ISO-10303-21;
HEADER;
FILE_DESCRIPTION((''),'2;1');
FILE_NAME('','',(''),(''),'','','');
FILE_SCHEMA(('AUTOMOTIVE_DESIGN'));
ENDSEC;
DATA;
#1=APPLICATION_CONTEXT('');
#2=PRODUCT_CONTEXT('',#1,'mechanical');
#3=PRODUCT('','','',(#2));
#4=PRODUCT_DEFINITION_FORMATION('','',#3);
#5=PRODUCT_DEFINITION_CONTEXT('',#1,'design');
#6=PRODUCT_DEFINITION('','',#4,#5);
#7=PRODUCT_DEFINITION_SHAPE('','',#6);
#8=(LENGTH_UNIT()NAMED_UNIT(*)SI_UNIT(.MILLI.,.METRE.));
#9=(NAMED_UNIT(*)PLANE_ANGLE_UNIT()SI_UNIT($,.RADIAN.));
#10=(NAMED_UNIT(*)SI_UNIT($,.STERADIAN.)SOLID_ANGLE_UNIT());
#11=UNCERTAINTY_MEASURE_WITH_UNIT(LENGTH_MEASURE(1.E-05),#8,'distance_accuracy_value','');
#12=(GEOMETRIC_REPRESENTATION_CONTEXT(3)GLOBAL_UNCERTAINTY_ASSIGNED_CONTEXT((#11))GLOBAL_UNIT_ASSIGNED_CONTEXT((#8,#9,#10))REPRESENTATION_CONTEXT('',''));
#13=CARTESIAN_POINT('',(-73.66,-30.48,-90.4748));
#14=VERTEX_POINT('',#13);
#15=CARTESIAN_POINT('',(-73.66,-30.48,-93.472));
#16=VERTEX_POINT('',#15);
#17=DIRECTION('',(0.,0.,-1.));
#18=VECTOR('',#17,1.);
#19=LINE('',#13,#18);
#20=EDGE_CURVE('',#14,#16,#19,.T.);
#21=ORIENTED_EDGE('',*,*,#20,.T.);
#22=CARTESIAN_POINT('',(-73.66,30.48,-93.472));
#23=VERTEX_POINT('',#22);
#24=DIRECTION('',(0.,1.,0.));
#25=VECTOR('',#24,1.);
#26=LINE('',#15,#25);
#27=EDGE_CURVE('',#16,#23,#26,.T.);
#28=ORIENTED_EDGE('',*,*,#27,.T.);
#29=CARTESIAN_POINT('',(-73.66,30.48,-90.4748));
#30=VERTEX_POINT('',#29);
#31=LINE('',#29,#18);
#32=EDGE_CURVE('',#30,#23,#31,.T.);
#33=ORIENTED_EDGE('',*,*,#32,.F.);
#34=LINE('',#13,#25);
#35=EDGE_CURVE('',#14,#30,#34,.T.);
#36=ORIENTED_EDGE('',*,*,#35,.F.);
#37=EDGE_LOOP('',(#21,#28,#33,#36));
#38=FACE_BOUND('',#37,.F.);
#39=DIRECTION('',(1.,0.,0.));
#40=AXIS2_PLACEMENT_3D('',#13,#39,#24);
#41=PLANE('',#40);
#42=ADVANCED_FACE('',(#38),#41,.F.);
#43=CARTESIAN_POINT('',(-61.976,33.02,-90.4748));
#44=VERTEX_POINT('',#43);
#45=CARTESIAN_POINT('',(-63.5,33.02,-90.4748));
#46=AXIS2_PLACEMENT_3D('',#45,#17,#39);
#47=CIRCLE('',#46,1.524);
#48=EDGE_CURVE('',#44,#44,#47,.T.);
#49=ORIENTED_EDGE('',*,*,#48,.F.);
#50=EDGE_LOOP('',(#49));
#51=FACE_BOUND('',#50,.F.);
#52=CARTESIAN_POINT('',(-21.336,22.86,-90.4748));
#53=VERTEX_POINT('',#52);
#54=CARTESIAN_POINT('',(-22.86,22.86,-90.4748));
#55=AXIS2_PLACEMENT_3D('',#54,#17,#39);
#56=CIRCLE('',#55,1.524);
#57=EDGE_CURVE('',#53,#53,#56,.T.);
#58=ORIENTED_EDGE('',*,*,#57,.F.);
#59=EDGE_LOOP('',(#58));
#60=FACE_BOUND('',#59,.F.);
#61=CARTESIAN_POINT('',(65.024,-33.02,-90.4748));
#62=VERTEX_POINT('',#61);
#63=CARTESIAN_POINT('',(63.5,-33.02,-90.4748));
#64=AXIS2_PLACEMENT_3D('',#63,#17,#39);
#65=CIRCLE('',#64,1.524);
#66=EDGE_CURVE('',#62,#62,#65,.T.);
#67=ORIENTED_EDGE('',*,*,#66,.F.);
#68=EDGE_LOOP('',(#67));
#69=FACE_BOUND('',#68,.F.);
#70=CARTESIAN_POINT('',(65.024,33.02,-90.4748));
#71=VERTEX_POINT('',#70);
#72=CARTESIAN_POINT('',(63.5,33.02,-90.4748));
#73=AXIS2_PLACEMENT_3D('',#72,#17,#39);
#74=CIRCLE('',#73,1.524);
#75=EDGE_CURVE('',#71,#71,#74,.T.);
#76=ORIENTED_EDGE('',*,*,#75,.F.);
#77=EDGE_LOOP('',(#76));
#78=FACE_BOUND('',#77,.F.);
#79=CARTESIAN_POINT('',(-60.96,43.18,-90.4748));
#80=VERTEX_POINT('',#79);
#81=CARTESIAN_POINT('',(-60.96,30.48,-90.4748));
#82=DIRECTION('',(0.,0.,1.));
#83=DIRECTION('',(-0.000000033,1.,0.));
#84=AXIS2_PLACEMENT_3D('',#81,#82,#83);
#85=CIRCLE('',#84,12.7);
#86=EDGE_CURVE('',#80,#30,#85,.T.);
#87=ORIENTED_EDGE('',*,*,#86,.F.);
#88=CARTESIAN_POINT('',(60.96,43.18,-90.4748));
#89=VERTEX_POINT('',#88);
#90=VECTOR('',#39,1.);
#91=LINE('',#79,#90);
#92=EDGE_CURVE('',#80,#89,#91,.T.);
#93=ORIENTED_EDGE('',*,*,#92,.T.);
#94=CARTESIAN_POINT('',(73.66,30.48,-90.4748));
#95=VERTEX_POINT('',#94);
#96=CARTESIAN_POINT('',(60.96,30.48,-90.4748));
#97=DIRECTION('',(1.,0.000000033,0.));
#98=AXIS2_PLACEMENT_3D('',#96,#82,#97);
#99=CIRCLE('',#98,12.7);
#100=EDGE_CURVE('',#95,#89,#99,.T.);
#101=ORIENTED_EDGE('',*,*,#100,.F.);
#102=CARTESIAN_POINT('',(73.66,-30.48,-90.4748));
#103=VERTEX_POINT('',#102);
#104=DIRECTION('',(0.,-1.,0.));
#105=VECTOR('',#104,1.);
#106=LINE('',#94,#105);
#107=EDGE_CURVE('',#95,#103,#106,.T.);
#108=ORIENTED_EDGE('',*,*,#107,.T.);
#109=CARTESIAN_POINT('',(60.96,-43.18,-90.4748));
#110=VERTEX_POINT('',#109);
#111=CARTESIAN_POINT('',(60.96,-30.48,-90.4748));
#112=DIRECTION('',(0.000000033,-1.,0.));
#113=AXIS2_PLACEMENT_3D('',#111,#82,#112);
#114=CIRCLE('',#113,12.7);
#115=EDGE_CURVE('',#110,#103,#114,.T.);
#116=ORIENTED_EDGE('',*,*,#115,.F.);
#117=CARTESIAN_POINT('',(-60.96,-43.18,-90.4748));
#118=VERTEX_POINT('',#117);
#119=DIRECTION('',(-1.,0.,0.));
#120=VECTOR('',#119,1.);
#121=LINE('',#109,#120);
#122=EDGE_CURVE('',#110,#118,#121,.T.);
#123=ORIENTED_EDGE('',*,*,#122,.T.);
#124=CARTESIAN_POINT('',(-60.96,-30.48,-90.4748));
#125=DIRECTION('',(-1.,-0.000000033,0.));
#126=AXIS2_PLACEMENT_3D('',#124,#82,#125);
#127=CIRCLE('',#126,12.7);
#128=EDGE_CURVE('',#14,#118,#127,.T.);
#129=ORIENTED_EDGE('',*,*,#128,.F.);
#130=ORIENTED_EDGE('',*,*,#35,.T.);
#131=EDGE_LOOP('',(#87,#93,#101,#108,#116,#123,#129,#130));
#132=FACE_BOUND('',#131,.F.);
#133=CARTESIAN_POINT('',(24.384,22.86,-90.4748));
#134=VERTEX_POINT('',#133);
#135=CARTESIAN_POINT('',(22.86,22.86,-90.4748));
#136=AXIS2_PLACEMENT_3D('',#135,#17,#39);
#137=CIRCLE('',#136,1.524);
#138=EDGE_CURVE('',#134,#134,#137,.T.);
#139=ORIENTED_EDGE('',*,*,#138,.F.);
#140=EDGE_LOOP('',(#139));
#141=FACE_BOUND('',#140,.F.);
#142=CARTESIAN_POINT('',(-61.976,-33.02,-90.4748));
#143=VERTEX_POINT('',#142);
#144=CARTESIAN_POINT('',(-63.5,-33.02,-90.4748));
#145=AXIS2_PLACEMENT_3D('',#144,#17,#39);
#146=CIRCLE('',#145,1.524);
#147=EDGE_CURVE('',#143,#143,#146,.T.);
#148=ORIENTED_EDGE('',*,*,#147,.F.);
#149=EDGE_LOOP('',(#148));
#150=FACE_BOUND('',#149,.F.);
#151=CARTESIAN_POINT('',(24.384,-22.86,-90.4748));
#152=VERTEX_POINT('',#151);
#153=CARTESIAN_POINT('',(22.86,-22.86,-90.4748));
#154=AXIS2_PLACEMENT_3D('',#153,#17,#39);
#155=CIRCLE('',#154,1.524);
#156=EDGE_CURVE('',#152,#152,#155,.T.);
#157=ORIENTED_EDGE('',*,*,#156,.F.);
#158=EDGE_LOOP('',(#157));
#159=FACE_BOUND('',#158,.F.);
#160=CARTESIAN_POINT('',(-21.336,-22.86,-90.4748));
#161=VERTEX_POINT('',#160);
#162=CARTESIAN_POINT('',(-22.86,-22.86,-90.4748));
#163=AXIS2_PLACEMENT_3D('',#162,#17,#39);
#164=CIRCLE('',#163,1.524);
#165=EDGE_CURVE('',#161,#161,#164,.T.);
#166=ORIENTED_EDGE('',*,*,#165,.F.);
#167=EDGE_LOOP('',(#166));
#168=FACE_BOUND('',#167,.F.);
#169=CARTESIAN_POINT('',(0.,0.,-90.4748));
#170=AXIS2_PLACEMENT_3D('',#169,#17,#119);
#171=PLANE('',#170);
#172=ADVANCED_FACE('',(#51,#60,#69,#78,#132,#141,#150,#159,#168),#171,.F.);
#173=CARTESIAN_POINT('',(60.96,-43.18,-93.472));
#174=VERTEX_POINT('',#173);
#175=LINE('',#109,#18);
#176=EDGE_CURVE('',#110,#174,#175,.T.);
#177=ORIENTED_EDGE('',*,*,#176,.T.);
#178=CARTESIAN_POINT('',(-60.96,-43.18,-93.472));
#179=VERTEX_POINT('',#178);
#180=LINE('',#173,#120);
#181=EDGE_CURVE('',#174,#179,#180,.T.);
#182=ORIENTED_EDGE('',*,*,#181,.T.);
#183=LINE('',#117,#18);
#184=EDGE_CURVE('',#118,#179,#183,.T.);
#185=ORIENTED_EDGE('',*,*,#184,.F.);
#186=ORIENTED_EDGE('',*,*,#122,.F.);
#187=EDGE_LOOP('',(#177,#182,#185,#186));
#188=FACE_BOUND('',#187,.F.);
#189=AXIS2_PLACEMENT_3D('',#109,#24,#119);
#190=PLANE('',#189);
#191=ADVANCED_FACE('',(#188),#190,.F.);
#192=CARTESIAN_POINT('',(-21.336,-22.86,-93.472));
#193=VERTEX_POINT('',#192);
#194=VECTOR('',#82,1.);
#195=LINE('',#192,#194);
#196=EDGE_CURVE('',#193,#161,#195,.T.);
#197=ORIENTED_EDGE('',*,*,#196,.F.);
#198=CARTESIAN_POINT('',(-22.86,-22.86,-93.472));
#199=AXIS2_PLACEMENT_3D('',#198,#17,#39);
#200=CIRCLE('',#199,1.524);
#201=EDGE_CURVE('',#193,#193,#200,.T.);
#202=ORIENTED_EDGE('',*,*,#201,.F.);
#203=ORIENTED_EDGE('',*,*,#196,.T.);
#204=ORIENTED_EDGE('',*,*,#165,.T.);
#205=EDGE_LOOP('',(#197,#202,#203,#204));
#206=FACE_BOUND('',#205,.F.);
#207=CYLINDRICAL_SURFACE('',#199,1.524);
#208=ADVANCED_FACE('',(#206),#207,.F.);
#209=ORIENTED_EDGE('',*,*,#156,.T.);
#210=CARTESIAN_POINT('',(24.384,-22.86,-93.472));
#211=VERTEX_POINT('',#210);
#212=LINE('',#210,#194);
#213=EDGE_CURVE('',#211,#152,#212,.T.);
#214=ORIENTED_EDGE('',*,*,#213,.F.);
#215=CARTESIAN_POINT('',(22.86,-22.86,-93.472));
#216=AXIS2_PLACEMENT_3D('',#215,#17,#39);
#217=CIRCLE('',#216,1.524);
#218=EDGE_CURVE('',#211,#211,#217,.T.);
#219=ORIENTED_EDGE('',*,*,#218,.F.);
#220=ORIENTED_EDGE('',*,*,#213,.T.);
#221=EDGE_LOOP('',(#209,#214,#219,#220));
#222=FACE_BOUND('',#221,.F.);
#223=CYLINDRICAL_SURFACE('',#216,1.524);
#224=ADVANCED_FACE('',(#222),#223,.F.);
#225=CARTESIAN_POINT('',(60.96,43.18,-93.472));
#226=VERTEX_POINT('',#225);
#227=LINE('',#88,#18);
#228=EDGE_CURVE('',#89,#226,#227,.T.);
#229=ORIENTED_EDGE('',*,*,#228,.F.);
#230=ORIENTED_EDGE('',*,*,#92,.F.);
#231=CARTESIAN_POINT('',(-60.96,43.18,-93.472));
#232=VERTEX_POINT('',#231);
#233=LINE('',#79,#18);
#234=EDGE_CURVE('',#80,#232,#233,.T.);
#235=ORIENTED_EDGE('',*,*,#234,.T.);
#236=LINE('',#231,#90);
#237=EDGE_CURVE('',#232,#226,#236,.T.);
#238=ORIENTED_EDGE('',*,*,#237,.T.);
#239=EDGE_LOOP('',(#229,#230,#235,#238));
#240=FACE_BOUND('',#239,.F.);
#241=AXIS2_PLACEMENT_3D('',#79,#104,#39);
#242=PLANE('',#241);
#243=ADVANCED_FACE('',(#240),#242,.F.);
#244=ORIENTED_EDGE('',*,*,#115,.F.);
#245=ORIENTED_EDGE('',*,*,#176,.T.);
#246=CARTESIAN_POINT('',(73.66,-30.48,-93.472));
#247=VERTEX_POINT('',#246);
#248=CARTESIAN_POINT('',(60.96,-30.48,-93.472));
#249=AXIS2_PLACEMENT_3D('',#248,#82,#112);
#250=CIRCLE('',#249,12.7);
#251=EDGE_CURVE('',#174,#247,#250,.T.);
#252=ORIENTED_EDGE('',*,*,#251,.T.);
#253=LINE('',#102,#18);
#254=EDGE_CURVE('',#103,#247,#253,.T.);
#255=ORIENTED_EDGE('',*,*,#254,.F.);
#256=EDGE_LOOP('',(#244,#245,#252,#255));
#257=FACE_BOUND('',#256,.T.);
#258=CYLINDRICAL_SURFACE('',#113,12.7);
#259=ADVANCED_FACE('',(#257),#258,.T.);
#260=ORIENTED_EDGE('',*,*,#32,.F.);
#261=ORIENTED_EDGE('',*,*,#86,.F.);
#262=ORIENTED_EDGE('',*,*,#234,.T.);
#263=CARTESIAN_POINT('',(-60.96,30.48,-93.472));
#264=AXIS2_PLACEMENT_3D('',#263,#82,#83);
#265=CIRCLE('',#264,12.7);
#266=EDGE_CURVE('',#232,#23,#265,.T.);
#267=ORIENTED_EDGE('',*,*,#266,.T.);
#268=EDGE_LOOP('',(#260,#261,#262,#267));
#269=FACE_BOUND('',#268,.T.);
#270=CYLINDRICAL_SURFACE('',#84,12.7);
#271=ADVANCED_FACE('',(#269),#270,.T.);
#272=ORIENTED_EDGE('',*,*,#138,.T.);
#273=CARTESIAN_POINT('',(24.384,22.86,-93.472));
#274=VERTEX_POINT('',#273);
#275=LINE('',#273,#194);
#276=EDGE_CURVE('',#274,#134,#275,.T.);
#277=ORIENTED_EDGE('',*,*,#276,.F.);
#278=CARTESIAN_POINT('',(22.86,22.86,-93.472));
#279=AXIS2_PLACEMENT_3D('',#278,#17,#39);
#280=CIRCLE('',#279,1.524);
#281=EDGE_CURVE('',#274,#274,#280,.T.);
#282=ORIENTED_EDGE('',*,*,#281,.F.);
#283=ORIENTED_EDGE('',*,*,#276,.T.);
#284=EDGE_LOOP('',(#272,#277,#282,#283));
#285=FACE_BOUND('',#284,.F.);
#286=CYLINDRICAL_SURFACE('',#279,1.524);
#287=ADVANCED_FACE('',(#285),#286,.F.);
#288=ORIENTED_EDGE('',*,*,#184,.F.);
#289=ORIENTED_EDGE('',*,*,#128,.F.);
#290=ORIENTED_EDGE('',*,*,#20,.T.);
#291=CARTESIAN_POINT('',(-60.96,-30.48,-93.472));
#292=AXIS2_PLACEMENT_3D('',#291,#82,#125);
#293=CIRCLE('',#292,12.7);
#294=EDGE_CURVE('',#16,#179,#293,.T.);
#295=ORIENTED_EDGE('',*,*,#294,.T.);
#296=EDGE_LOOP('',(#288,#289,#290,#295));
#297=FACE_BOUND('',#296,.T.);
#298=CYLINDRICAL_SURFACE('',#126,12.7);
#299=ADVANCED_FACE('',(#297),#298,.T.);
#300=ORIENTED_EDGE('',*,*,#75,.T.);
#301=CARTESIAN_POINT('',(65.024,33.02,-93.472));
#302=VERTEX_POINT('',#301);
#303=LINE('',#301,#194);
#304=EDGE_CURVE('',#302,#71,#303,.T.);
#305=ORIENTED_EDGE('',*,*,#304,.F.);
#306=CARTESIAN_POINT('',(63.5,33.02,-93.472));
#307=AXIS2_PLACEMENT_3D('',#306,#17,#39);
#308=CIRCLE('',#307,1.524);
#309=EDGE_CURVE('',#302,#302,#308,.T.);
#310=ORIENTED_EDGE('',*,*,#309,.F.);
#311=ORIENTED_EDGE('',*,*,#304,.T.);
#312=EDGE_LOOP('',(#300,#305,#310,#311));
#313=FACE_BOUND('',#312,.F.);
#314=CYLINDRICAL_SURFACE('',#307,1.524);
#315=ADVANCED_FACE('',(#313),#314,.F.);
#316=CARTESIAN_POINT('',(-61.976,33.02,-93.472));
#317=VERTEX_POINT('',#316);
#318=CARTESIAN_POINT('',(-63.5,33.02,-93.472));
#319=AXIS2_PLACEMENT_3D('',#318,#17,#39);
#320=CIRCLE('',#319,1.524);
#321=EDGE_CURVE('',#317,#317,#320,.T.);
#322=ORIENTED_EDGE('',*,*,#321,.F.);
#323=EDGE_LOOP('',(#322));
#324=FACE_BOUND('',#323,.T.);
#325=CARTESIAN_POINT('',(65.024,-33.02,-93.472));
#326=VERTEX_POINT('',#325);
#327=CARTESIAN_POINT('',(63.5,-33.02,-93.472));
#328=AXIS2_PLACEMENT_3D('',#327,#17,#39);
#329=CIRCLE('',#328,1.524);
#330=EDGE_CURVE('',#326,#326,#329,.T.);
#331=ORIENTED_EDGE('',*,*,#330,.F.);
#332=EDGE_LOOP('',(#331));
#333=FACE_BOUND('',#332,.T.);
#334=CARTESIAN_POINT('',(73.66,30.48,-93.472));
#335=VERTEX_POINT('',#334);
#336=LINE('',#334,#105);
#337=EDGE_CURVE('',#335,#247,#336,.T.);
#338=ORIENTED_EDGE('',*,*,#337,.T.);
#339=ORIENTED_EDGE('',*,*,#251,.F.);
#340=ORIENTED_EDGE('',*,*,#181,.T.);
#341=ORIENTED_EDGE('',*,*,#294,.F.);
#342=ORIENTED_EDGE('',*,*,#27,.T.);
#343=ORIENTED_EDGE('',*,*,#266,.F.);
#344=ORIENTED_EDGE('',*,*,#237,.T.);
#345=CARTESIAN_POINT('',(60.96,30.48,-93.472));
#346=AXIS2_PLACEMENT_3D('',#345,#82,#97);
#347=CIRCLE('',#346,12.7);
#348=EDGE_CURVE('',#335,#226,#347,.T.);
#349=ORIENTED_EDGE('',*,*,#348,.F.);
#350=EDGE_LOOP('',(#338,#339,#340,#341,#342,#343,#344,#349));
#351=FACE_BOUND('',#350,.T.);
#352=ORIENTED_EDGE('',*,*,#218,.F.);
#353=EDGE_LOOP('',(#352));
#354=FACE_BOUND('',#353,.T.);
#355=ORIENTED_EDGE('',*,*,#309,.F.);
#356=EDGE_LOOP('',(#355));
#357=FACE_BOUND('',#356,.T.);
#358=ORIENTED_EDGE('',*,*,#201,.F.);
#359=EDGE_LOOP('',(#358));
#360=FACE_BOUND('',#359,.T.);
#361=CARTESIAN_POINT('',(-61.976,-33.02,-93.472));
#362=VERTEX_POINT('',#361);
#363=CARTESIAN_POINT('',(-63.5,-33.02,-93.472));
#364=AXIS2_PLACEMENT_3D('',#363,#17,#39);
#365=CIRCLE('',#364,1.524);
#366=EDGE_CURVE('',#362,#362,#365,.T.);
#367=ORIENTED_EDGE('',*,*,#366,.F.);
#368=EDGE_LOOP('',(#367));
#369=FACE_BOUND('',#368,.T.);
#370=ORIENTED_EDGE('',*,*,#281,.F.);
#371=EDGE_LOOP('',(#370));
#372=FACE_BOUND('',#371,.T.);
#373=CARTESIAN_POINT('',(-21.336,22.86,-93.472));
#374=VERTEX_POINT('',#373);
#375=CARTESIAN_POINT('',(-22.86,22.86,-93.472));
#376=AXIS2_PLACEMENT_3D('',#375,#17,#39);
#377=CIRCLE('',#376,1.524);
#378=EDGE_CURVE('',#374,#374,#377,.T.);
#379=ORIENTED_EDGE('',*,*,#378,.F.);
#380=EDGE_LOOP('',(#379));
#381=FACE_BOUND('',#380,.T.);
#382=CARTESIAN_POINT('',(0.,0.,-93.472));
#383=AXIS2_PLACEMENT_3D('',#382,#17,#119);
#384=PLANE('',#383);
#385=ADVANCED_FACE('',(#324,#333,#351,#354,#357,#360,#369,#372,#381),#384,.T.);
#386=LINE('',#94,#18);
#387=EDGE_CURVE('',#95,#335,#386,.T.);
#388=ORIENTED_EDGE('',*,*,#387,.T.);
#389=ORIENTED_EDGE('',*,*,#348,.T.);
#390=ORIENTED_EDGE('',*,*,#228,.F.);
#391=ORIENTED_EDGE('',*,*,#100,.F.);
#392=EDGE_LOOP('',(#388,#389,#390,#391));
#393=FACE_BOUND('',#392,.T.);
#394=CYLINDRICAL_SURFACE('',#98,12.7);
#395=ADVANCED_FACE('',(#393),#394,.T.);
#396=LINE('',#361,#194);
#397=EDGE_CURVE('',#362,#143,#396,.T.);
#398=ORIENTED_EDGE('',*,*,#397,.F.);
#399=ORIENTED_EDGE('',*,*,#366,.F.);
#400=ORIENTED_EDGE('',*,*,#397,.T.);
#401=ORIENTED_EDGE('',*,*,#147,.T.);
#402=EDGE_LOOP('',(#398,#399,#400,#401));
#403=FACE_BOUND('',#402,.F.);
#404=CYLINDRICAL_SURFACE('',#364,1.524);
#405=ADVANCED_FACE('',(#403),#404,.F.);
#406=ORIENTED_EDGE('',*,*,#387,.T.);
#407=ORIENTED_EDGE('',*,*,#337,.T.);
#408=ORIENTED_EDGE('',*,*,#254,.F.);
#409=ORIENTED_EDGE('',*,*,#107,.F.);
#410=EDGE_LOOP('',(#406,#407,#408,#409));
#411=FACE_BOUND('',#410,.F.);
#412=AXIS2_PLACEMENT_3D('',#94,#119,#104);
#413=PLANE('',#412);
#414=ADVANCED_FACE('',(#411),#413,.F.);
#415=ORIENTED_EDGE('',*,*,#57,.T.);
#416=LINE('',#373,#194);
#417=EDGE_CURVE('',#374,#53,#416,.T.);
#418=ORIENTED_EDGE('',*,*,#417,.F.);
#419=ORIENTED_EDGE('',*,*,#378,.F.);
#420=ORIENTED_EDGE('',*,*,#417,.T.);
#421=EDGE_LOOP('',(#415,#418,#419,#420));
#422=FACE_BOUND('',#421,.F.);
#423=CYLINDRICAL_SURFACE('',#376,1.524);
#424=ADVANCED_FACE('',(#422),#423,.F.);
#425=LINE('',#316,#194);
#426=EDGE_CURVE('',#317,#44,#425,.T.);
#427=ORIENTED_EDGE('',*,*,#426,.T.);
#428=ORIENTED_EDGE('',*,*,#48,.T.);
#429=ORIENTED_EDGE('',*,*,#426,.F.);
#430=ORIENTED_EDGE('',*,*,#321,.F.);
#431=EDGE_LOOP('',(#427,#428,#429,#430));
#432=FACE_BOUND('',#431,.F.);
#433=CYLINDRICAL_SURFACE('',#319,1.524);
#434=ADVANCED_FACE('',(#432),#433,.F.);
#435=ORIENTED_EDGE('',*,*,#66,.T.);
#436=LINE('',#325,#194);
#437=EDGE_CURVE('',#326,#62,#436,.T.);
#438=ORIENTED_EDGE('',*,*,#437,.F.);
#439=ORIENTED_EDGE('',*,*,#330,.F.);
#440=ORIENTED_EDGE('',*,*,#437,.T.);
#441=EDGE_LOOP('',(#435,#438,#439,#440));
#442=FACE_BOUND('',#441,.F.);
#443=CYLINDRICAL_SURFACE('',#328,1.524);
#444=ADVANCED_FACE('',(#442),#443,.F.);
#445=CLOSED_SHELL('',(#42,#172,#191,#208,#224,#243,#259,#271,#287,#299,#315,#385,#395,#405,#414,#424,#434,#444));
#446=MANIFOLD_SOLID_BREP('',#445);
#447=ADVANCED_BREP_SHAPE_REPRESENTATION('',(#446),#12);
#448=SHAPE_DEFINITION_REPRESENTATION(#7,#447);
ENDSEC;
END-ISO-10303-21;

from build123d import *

# Parameters (mm, degrees)
PAD015_DEPTH    = 2.9972
SKETCH022_R     = 1.524
POCKET002_DEPTH = 2.9972
SKETCH023_R     = 1.524
POCKET003_DEPTH = 2.9972


with BuildPart() as part:
    # Sketch018 → Pad015 (new body)
    with BuildSketch(Plane.XY.offset(-90.4748)):
        with BuildLine():
            Line((-60.96, 43.18), (60.96, 43.18))
            ThreePointArc((73.66, 30.48), (69.940256, 39.460256), (60.96, 43.18))
            Line((73.66, 30.48), (73.66, -30.48))
            ThreePointArc((60.96, -43.18), (69.940256, -39.460256), (73.66, -30.48))
            Line((60.96, -43.18), (-60.96, -43.18))
            ThreePointArc((-73.66, -30.48), (-69.940256, -39.460256), (-60.96, -43.18))
            Line((-73.66, -30.48), (-73.66, 30.48))
            ThreePointArc((-60.96, 43.18), (-69.940256, 39.460256), (-73.66, 30.48))
        make_face()
    extrude(amount=-PAD015_DEPTH)

    # Sketch022 → Pocket002 (cut)
    with BuildSketch(Plane(origin=(0, 0, -93.472), x_dir=(1, 0, 0), z_dir=(0, 0, -1))):
        with Locations((-63.5, 33.02)):
            Circle(SKETCH022_R)
        with Locations((-63.5, -33.02)):
            Circle(SKETCH022_R)
        with Locations((63.5, -33.02)):
            Circle(SKETCH022_R)
        with Locations((63.5, 33.02)):
            Circle(SKETCH022_R)
    extrude(amount=-POCKET002_DEPTH, mode=Mode.SUBTRACT)

    # Sketch023 → Pocket003 (cut)
    with BuildSketch(Plane(origin=(0, 0, -93.472), x_dir=(1, 0, 0), z_dir=(0, 0, -1))):
        with Locations((-22.86, 22.86)):
            Circle(SKETCH023_R)
        with Locations((-22.86, -22.86)):
            Circle(SKETCH023_R)
        with Locations((22.86, -22.86)):
            Circle(SKETCH023_R)
        with Locations((22.86, 22.86)):
            Circle(SKETCH023_R)
    extrude(amount=-POCKET003_DEPTH, mode=Mode.SUBTRACT)


solid = part.part
